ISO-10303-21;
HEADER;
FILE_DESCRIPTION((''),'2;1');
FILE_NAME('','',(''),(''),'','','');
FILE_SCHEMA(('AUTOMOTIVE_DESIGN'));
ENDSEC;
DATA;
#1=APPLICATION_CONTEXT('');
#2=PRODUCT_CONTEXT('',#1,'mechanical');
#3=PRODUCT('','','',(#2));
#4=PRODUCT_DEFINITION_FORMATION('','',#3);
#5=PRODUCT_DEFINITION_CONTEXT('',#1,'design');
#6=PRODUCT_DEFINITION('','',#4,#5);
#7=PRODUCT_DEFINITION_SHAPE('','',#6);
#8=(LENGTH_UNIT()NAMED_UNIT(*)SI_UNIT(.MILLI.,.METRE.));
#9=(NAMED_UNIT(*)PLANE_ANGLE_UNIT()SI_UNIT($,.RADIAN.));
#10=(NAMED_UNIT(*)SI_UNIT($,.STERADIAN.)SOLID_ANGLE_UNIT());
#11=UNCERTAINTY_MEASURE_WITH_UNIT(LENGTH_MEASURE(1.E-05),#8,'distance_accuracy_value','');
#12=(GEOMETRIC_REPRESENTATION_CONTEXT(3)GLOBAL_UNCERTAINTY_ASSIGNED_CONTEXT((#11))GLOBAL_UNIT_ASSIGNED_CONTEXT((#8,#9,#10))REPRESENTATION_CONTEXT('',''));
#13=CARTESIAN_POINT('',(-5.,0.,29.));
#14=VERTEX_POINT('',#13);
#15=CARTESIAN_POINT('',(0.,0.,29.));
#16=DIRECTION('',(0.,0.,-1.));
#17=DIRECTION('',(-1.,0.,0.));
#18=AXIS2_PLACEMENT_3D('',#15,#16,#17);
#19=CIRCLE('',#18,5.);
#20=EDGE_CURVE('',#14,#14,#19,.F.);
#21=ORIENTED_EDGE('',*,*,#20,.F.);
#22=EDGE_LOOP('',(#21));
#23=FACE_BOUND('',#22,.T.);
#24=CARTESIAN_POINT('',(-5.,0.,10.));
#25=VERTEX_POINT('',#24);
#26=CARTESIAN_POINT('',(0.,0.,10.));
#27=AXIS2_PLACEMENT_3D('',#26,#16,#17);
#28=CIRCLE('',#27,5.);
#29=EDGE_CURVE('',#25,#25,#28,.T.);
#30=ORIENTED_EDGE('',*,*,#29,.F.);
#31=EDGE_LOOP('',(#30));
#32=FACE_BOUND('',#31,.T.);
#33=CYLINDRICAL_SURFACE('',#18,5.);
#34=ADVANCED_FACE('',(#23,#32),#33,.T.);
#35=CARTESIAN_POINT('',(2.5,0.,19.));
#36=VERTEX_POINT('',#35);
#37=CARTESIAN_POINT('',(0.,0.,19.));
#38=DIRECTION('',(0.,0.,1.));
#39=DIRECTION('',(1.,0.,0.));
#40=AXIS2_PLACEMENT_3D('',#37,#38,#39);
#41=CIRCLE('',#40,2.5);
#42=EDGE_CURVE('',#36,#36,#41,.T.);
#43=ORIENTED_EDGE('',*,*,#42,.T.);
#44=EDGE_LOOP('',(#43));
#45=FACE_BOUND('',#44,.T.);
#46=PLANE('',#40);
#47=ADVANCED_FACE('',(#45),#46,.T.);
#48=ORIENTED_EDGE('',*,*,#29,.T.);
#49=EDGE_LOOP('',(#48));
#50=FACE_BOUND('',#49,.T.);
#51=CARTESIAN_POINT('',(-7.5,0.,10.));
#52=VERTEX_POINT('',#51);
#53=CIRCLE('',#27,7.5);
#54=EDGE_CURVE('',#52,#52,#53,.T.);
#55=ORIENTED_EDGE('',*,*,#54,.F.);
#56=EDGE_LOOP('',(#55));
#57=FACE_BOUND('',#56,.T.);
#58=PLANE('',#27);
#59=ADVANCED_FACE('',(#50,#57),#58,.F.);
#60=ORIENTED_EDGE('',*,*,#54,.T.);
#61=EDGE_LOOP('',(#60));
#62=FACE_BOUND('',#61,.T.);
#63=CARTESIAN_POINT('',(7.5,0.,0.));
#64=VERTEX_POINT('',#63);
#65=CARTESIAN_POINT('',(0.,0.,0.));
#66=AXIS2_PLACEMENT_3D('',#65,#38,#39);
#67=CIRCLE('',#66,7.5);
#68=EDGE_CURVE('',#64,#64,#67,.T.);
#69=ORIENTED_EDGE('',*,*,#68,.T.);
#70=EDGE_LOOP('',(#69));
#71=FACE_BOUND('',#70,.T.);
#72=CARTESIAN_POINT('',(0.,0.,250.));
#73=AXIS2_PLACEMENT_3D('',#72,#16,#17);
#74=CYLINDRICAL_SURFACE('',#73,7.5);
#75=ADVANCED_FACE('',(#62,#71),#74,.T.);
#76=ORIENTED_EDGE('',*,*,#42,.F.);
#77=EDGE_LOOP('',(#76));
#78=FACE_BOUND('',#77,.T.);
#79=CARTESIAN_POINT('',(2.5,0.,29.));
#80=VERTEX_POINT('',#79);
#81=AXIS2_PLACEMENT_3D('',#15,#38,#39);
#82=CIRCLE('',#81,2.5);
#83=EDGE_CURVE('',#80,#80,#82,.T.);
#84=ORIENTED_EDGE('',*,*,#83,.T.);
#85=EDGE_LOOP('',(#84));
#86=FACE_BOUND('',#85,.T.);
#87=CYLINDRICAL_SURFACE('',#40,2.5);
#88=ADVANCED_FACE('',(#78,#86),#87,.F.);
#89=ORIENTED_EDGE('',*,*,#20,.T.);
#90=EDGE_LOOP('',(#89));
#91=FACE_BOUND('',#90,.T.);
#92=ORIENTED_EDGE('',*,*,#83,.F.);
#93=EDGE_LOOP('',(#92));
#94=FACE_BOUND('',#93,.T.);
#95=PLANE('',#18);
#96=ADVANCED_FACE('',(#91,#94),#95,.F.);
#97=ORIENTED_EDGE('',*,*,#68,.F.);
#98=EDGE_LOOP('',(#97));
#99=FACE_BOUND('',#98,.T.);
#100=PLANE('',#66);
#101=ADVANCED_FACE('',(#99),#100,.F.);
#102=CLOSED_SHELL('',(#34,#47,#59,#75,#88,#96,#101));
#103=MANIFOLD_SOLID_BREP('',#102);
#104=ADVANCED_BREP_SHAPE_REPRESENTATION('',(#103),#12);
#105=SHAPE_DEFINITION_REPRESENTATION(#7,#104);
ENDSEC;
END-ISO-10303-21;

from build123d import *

# Parameters (mm, degrees)
SKETCH1_R           = 7.5
BOSS_EXTRUDE1_DEPTH = 250
SKETCH2_R           = 5
CUT_EXTRUDE1_DEPTH  = 10
SKETCH3_R           = 9.435011435
SKETCH3_R_2         = 5
CUT_EXTRUDE2_DEPTH  = 19
SKETCH5_R           = 25.765699078
CUT_EXTRUDE3_DEPTH  = 221
SKETCH6_R           = 6.015267085
BOSS_EXTRUDE2_DEPTH = 10
SKETCH7_R           = 2.5
CUT_EXTRUDE4_DEPTH  = 10


with BuildPart() as part:
    # Sketch1 → Boss-Extrude1 (new body)
    with BuildSketch(Plane.XY):
        Circle(SKETCH1_R)
    extrude(amount=BOSS_EXTRUDE1_DEPTH)

    # Sketch2 → Cut-Extrude1 (cut)
    with BuildSketch(Plane.XY):
        Circle(SKETCH2_R)
    extrude(amount=CUT_EXTRUDE1_DEPTH, mode=Mode.SUBTRACT)

    # Sketch3 → Cut-Extrude2 (cut)
    with BuildSketch(Plane(origin=(0, 0, 10), x_dir=(-1, 0, 0), z_dir=(0, 0, -1))):
        Circle(SKETCH3_R)
        Circle(SKETCH3_R_2, mode=Mode.SUBTRACT)
    extrude(amount=-CUT_EXTRUDE2_DEPTH, mode=Mode.SUBTRACT)


with BuildPart() as cut_extrude2_piece_1:
    # of the separate pieces the step leaves, piece 1, a body of its own (cut_extrude2_pieces)
    add(part.part.solids().sort_by_distance((7.5, 0, 29))[0])

    # Sketch5 → Cut-Extrude3 (cut)
    with BuildSketch(Plane(origin=(0, 0, 29), x_dir=(-1, 0, 0), z_dir=(0, 0, -1))):
        Circle(SKETCH5_R)
    extrude(amount=-CUT_EXTRUDE3_DEPTH, mode=Mode.SUBTRACT)



with BuildPart() as cut_extrude2_piece_2:
    # of the separate pieces the step leaves, piece 2, a body of its own (cut_extrude2_pieces)
    add(part.part.solids().sort_by_distance((7.5, 0, 0))[0])


with BuildPart() as cut_extrude2_piece_1_1:
    add(cut_extrude2_piece_1.part)

    add(cut_extrude2_piece_2.part)  # Boss-Extrude2 merges Cut-Extrude2 piece 2
    # Sketch6 → Boss-Extrude2 (add)
    with BuildSketch(Plane(origin=(0, 0, 10), x_dir=(-1, 0, 0), z_dir=(0, 0, -1))):
        Circle(SKETCH6_R)
    extrude(amount=BOSS_EXTRUDE2_DEPTH)

    # Sketch7 → Cut-Extrude4 (cut)
    with BuildSketch(Plane.XY.offset(29)):
        Circle(SKETCH7_R)
    extrude(amount=-CUT_EXTRUDE4_DEPTH, mode=Mode.SUBTRACT)


solid = cut_extrude2_piece_1_1.part
